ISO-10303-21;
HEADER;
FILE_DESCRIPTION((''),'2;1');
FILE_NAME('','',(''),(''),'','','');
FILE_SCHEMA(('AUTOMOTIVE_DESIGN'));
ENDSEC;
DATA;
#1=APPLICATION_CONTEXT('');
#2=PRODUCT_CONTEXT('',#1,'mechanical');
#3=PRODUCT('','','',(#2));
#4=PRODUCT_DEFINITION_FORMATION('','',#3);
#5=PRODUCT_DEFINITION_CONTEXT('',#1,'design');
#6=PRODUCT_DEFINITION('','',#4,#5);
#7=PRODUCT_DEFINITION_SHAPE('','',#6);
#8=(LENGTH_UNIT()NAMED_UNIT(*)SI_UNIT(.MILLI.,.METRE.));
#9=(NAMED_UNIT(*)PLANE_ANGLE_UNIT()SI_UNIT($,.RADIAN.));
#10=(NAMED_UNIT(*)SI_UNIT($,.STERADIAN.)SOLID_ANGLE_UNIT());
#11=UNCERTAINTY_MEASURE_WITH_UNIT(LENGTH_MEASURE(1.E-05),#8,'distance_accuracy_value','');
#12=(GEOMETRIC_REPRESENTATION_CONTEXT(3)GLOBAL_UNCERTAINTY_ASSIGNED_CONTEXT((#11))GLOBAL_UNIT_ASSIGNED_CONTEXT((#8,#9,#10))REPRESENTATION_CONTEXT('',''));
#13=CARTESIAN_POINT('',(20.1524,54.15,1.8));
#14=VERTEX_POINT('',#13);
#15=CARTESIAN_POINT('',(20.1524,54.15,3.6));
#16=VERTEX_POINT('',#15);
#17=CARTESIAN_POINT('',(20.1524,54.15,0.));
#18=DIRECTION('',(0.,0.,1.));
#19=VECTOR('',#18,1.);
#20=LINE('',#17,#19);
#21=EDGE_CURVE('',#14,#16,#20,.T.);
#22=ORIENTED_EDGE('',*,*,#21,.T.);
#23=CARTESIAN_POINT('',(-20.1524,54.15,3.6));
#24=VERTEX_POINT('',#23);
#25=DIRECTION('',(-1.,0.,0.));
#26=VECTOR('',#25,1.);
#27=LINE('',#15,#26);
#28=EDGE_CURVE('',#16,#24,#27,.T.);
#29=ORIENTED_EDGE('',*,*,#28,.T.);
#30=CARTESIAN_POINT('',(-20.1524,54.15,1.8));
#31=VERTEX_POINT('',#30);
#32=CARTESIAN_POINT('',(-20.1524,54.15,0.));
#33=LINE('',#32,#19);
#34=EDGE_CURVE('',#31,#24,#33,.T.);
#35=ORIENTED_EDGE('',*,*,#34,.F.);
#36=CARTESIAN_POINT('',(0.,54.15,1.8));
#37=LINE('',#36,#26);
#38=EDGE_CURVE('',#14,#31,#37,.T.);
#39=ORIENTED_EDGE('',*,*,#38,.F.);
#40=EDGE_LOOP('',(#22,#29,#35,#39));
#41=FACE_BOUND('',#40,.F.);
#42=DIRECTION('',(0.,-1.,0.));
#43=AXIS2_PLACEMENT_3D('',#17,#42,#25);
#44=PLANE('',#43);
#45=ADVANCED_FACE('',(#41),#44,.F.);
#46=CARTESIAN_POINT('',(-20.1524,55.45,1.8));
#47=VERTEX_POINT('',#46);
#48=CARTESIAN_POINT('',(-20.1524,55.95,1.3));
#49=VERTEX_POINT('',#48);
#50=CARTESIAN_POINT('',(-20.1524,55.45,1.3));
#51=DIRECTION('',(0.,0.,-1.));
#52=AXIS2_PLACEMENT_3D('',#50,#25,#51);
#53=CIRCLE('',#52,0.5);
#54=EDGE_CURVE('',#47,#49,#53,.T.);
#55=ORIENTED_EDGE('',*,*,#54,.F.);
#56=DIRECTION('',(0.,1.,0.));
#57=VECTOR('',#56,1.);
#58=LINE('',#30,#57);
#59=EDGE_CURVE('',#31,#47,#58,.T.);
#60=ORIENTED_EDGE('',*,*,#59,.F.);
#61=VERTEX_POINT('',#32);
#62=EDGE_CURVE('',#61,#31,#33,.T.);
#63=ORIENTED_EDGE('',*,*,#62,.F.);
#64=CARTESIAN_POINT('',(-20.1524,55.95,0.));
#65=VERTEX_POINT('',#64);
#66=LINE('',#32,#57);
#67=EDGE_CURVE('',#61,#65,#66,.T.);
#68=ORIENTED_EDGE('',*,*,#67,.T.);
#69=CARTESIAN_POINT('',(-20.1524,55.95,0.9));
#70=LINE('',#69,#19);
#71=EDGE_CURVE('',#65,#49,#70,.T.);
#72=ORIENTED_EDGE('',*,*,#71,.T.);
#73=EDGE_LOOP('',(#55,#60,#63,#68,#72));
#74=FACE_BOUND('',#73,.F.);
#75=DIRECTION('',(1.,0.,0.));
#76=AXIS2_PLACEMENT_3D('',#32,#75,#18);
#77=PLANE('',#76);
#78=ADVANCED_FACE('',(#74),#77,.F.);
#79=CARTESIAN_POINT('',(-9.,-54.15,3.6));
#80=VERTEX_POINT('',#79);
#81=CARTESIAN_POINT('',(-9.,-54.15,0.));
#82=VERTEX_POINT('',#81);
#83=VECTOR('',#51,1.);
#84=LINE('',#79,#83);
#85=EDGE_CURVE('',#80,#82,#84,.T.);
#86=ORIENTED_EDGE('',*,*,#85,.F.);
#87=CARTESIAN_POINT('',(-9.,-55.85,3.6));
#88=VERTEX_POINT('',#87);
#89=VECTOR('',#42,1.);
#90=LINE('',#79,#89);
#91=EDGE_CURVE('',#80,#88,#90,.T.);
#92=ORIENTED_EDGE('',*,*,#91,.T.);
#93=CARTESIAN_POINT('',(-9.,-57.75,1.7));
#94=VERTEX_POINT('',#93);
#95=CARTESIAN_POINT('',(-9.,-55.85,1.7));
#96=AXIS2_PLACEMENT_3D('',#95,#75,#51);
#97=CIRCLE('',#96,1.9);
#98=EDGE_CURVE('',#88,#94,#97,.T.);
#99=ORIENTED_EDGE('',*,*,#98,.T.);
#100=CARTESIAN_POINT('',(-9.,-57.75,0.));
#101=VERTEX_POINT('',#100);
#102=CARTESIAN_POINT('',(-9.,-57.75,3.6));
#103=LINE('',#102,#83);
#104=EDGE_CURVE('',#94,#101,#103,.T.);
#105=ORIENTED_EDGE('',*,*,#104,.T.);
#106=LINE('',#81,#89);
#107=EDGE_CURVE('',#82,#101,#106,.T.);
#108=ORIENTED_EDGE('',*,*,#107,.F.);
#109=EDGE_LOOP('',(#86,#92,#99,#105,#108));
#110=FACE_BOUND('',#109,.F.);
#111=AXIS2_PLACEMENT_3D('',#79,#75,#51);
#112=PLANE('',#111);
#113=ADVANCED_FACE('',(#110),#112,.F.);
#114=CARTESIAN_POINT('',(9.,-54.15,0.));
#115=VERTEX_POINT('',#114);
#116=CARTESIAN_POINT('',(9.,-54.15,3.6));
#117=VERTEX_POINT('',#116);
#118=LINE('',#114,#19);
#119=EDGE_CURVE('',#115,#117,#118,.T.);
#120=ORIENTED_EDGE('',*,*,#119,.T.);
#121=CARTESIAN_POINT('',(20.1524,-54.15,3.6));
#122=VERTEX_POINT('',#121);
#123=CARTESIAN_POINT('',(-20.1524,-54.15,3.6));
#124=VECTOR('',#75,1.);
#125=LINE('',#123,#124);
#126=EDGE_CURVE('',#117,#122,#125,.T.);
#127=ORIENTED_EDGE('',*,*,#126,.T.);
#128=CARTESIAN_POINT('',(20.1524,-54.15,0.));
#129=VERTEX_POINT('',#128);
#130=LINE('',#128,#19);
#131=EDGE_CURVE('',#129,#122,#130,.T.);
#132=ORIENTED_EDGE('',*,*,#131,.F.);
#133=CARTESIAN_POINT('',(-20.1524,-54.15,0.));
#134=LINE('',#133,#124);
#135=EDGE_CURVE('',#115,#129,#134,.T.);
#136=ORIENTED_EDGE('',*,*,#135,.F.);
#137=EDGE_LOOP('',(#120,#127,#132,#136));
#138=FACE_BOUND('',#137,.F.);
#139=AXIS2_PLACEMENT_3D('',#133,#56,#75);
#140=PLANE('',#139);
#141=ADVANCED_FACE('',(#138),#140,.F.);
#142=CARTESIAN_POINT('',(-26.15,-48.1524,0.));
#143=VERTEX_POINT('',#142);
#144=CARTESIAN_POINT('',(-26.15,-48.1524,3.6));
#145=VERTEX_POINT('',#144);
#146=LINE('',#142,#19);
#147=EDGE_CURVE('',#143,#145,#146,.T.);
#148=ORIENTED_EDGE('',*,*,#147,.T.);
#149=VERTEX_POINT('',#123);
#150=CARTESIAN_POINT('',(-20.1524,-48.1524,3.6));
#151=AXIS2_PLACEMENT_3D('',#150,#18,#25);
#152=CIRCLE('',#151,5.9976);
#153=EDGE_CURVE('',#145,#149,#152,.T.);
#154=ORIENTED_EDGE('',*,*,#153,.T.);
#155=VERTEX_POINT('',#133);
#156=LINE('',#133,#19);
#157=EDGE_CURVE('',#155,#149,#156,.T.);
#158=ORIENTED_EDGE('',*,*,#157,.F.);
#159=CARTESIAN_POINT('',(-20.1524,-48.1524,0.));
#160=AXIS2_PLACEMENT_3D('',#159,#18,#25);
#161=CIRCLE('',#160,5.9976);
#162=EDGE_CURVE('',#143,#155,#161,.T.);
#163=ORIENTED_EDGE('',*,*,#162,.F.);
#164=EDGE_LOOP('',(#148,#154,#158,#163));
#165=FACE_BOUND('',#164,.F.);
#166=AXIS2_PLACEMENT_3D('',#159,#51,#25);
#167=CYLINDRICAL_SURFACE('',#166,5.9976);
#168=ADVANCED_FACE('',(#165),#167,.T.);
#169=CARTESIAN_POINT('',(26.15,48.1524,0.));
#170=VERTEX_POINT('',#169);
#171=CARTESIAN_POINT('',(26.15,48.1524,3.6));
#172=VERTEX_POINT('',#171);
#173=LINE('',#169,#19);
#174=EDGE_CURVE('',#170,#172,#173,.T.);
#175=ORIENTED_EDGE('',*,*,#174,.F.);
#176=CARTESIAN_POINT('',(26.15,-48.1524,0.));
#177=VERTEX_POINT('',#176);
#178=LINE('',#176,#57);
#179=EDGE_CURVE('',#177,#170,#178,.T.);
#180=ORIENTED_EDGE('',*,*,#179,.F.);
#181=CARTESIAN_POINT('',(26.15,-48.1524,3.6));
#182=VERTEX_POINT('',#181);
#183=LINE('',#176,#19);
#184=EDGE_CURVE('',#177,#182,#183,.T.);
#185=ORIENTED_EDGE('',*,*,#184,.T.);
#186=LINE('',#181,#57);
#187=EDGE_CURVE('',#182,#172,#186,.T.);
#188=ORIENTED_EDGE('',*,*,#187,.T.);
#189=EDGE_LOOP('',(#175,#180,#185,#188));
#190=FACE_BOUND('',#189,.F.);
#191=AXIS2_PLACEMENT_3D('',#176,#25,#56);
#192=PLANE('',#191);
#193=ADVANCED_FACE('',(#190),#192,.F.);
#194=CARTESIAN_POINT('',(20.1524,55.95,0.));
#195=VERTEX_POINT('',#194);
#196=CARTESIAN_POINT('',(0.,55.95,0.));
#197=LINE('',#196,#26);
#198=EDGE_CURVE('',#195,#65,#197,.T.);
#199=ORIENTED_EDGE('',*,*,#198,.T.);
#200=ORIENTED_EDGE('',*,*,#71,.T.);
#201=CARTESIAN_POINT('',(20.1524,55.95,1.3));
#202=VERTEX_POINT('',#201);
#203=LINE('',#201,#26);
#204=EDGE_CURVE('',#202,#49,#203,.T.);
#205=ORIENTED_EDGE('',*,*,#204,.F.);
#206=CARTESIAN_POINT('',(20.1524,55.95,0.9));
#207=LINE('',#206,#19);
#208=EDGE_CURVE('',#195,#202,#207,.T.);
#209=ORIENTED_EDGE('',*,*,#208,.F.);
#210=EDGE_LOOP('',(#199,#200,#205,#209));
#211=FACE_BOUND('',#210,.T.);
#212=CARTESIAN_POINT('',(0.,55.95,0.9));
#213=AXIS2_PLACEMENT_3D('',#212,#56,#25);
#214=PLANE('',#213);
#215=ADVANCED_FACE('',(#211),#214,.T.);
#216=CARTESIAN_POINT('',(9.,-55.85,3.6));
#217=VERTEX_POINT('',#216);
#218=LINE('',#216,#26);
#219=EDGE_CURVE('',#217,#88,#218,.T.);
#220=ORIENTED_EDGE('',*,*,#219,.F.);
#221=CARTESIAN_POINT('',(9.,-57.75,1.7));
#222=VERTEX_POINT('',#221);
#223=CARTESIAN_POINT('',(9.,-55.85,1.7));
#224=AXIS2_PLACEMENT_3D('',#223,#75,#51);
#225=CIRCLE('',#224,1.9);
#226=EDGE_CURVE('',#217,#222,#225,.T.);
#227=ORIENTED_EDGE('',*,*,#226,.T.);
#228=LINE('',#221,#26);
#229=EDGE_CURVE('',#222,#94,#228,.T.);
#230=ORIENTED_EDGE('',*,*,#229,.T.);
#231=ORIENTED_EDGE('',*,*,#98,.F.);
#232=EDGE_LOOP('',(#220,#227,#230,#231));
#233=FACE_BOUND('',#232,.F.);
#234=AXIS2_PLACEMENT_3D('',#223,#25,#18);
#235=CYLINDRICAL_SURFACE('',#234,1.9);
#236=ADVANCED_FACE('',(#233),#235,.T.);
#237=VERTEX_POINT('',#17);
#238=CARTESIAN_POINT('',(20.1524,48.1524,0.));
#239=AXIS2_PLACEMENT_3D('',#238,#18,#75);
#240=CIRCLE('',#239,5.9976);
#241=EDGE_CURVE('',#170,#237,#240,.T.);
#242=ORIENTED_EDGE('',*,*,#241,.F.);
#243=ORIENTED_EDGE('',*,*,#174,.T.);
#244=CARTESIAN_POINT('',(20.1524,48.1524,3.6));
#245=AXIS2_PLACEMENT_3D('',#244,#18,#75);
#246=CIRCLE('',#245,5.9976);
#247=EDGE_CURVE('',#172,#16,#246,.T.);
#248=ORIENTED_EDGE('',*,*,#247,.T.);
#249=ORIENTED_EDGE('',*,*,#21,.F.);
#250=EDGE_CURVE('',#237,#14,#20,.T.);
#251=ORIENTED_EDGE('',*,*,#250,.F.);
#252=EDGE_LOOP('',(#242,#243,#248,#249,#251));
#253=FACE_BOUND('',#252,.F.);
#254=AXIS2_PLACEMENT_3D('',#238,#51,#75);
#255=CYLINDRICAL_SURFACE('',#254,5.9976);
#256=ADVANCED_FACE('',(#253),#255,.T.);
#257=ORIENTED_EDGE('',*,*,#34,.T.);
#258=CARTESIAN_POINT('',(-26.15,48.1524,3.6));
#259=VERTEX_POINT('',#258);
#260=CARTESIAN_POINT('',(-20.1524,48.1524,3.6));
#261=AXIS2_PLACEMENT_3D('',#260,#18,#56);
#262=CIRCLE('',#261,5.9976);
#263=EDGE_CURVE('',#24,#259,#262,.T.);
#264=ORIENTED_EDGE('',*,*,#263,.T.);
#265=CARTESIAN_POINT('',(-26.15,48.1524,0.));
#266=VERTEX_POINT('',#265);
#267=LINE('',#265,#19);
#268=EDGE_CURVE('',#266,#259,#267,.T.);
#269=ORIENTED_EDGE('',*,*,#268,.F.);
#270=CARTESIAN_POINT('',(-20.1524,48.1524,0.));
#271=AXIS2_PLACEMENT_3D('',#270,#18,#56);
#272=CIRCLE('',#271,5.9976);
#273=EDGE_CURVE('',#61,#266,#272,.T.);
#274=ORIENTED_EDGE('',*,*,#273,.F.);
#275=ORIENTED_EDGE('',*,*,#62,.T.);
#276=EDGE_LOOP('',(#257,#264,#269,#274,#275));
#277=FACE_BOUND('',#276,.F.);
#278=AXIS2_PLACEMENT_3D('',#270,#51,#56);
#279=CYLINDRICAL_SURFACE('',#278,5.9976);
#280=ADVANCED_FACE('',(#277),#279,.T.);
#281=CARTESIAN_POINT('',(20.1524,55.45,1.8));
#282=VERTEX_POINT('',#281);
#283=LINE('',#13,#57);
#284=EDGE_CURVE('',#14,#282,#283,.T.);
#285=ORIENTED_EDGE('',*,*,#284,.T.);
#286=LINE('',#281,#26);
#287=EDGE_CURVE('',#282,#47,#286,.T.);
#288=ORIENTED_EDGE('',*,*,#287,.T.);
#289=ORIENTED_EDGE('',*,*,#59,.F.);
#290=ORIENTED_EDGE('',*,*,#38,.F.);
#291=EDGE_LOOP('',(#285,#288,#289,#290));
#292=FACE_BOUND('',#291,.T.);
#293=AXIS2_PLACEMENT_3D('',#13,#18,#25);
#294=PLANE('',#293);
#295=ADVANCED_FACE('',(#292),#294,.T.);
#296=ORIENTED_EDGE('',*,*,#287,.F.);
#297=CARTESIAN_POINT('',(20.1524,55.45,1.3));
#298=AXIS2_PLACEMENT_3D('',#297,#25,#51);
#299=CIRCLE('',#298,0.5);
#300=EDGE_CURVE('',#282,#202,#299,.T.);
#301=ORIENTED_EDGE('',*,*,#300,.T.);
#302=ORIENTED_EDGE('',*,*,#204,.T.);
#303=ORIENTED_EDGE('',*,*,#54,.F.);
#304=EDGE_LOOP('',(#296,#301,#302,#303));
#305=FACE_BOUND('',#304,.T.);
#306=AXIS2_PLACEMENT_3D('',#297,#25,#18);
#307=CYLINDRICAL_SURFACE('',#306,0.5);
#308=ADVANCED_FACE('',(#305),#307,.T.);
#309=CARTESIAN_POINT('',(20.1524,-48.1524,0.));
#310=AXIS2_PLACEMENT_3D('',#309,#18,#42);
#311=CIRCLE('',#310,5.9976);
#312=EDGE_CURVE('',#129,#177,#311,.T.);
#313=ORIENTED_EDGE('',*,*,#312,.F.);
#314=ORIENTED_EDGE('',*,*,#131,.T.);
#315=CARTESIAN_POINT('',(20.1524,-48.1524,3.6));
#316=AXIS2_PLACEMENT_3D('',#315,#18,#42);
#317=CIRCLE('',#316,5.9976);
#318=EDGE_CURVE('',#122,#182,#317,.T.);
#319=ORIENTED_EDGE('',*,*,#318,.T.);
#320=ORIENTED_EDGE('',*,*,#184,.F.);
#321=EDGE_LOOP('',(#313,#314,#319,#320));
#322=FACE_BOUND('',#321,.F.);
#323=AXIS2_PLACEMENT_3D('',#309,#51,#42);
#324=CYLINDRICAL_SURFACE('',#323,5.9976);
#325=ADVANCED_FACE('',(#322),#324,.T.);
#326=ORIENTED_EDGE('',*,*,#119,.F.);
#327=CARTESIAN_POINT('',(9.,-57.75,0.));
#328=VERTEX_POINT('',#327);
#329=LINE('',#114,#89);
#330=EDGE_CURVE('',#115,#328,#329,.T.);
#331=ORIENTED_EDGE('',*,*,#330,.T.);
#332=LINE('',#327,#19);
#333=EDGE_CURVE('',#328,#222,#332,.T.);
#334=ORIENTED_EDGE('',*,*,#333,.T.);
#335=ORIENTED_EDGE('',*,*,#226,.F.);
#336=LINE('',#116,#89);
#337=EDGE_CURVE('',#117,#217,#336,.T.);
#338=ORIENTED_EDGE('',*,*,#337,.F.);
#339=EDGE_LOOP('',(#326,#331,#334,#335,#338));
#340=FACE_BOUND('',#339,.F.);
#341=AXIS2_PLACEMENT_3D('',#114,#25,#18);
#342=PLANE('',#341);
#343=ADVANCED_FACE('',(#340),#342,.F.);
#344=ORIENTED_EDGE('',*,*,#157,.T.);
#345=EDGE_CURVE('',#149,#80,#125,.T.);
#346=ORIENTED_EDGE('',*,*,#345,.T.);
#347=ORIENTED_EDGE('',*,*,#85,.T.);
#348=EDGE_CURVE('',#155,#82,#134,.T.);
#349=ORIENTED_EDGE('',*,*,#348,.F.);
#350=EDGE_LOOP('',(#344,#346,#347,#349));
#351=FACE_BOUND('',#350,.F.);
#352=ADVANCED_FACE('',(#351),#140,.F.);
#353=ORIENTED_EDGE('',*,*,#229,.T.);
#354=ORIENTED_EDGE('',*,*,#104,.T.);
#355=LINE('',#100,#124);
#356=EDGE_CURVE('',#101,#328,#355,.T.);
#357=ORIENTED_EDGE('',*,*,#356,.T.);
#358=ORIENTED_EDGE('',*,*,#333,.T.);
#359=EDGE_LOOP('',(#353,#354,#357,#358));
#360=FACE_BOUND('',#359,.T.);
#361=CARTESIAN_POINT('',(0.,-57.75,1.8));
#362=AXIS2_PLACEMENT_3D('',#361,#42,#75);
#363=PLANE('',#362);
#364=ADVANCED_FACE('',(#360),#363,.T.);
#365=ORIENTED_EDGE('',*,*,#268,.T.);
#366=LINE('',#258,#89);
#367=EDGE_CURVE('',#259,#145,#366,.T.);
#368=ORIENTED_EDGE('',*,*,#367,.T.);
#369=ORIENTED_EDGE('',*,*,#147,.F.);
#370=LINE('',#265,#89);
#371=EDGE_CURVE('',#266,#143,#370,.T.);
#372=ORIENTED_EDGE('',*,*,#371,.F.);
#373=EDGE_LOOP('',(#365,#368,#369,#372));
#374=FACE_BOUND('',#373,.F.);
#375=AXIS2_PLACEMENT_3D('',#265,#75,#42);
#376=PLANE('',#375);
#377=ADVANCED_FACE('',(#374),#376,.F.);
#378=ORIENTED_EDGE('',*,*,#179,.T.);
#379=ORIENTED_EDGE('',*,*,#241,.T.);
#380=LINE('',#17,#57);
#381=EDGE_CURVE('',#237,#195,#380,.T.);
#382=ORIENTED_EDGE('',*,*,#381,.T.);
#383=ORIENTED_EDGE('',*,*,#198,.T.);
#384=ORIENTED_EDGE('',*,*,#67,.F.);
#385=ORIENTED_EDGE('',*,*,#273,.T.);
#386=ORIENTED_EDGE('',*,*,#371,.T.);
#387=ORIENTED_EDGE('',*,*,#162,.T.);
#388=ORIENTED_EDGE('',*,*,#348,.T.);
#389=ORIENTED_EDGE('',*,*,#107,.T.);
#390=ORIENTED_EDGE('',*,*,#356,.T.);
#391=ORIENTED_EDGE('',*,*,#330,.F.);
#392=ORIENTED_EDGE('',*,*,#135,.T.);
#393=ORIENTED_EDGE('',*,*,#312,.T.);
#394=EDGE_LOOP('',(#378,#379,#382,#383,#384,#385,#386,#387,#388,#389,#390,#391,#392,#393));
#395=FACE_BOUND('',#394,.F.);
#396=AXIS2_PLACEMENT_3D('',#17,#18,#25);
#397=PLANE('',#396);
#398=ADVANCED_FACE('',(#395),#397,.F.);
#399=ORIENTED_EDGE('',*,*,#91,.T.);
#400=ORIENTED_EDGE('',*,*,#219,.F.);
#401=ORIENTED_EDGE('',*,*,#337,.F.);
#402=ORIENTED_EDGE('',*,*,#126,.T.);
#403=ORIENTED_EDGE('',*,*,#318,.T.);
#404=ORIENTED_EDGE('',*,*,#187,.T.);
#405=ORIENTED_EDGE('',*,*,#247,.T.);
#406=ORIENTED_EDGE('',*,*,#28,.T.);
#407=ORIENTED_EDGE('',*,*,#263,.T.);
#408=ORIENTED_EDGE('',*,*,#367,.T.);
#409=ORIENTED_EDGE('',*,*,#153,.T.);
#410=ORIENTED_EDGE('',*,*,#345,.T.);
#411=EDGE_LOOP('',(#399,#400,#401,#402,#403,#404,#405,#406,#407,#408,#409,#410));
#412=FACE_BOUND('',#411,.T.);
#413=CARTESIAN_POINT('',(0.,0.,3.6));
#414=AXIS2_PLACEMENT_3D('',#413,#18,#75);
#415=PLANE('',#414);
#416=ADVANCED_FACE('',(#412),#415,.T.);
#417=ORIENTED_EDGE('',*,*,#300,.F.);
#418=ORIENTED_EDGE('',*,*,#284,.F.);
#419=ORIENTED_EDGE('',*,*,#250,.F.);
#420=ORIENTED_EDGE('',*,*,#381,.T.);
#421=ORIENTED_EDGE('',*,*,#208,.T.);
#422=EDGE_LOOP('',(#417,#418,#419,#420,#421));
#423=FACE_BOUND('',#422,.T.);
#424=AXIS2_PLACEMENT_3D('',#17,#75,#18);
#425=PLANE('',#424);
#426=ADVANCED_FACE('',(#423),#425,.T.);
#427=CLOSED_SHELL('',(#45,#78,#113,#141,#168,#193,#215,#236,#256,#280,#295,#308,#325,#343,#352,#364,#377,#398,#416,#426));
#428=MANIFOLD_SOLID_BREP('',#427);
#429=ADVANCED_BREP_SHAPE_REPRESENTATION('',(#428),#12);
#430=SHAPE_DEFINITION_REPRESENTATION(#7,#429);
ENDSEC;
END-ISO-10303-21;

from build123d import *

# Parameters (mm, degrees)
F2_DEPTH = 3.6
F4_DEPTH = 3.6
F5_W     = 40.3048
F5_H     = 1.8
F6_DEPTH = 1.8
F7_R     = 1.9
F8_R     = 0.5


with BuildPart() as f2:
    # F1 (on Top) → F2 (new body)
    with BuildSketch(Plane.XY):
        with BuildLine():
            Line((-20.1524, -54.15), (20.1524, -54.15))
            ThreePointArc((20.1524, -54.15), (24.3933436308, -52.3933436308), (26.15, -48.1524))
            Line((26.15, -48.1524), (26.15, 48.1524))
            ThreePointArc((26.15, 48.1524), (24.3933436308, 52.3933436308), (20.1524, 54.15))
            Line((20.1524, 54.15), (-20.1524, 54.15))
            ThreePointArc((-20.1524, 54.15), (-24.3933436308, 52.3933436308), (-26.15, 48.1524))
            Line((-26.15, 48.1524), (-26.15, -48.1524))
            ThreePointArc((-26.15, -48.1524), (-24.3933436308, -52.3933436308), (-20.1524, -54.15))
        make_face()
    extrude(amount=F2_DEPTH)

    # F3 (on face) → F4 (join)
    with BuildSketch(Plane.XZ.offset(54.15)):
        Polygon((9, 3.6), (-9, 3.6), (-9, 1.8), (-9, 0), (9, 0), (9, 1.8), align=None)
    extrude(amount=F4_DEPTH)

    # F5 (on face) → F6 (join)
    with BuildSketch(Plane(origin=(0, 54.15, 0), x_dir=(-1, 0, 0), z_dir=(0, 1, 0))):
        with Locations((0, 0.9)):
            Rectangle(F5_W, F5_H)
    extrude(amount=F6_DEPTH)

    # F7
    f7_edges = [f2.edges().sort_by_distance(p)[0] for p in [
        (0, -57.75, 3.6),
    ]]
    fillet(f7_edges, radius=F7_R)

    # F8
    f8_edges = [f2.edges().sort_by_distance(p)[0] for p in [
        (0, 55.95, 1.8),
    ]]
    fillet(f8_edges, radius=F8_R)


solid = f2.part
